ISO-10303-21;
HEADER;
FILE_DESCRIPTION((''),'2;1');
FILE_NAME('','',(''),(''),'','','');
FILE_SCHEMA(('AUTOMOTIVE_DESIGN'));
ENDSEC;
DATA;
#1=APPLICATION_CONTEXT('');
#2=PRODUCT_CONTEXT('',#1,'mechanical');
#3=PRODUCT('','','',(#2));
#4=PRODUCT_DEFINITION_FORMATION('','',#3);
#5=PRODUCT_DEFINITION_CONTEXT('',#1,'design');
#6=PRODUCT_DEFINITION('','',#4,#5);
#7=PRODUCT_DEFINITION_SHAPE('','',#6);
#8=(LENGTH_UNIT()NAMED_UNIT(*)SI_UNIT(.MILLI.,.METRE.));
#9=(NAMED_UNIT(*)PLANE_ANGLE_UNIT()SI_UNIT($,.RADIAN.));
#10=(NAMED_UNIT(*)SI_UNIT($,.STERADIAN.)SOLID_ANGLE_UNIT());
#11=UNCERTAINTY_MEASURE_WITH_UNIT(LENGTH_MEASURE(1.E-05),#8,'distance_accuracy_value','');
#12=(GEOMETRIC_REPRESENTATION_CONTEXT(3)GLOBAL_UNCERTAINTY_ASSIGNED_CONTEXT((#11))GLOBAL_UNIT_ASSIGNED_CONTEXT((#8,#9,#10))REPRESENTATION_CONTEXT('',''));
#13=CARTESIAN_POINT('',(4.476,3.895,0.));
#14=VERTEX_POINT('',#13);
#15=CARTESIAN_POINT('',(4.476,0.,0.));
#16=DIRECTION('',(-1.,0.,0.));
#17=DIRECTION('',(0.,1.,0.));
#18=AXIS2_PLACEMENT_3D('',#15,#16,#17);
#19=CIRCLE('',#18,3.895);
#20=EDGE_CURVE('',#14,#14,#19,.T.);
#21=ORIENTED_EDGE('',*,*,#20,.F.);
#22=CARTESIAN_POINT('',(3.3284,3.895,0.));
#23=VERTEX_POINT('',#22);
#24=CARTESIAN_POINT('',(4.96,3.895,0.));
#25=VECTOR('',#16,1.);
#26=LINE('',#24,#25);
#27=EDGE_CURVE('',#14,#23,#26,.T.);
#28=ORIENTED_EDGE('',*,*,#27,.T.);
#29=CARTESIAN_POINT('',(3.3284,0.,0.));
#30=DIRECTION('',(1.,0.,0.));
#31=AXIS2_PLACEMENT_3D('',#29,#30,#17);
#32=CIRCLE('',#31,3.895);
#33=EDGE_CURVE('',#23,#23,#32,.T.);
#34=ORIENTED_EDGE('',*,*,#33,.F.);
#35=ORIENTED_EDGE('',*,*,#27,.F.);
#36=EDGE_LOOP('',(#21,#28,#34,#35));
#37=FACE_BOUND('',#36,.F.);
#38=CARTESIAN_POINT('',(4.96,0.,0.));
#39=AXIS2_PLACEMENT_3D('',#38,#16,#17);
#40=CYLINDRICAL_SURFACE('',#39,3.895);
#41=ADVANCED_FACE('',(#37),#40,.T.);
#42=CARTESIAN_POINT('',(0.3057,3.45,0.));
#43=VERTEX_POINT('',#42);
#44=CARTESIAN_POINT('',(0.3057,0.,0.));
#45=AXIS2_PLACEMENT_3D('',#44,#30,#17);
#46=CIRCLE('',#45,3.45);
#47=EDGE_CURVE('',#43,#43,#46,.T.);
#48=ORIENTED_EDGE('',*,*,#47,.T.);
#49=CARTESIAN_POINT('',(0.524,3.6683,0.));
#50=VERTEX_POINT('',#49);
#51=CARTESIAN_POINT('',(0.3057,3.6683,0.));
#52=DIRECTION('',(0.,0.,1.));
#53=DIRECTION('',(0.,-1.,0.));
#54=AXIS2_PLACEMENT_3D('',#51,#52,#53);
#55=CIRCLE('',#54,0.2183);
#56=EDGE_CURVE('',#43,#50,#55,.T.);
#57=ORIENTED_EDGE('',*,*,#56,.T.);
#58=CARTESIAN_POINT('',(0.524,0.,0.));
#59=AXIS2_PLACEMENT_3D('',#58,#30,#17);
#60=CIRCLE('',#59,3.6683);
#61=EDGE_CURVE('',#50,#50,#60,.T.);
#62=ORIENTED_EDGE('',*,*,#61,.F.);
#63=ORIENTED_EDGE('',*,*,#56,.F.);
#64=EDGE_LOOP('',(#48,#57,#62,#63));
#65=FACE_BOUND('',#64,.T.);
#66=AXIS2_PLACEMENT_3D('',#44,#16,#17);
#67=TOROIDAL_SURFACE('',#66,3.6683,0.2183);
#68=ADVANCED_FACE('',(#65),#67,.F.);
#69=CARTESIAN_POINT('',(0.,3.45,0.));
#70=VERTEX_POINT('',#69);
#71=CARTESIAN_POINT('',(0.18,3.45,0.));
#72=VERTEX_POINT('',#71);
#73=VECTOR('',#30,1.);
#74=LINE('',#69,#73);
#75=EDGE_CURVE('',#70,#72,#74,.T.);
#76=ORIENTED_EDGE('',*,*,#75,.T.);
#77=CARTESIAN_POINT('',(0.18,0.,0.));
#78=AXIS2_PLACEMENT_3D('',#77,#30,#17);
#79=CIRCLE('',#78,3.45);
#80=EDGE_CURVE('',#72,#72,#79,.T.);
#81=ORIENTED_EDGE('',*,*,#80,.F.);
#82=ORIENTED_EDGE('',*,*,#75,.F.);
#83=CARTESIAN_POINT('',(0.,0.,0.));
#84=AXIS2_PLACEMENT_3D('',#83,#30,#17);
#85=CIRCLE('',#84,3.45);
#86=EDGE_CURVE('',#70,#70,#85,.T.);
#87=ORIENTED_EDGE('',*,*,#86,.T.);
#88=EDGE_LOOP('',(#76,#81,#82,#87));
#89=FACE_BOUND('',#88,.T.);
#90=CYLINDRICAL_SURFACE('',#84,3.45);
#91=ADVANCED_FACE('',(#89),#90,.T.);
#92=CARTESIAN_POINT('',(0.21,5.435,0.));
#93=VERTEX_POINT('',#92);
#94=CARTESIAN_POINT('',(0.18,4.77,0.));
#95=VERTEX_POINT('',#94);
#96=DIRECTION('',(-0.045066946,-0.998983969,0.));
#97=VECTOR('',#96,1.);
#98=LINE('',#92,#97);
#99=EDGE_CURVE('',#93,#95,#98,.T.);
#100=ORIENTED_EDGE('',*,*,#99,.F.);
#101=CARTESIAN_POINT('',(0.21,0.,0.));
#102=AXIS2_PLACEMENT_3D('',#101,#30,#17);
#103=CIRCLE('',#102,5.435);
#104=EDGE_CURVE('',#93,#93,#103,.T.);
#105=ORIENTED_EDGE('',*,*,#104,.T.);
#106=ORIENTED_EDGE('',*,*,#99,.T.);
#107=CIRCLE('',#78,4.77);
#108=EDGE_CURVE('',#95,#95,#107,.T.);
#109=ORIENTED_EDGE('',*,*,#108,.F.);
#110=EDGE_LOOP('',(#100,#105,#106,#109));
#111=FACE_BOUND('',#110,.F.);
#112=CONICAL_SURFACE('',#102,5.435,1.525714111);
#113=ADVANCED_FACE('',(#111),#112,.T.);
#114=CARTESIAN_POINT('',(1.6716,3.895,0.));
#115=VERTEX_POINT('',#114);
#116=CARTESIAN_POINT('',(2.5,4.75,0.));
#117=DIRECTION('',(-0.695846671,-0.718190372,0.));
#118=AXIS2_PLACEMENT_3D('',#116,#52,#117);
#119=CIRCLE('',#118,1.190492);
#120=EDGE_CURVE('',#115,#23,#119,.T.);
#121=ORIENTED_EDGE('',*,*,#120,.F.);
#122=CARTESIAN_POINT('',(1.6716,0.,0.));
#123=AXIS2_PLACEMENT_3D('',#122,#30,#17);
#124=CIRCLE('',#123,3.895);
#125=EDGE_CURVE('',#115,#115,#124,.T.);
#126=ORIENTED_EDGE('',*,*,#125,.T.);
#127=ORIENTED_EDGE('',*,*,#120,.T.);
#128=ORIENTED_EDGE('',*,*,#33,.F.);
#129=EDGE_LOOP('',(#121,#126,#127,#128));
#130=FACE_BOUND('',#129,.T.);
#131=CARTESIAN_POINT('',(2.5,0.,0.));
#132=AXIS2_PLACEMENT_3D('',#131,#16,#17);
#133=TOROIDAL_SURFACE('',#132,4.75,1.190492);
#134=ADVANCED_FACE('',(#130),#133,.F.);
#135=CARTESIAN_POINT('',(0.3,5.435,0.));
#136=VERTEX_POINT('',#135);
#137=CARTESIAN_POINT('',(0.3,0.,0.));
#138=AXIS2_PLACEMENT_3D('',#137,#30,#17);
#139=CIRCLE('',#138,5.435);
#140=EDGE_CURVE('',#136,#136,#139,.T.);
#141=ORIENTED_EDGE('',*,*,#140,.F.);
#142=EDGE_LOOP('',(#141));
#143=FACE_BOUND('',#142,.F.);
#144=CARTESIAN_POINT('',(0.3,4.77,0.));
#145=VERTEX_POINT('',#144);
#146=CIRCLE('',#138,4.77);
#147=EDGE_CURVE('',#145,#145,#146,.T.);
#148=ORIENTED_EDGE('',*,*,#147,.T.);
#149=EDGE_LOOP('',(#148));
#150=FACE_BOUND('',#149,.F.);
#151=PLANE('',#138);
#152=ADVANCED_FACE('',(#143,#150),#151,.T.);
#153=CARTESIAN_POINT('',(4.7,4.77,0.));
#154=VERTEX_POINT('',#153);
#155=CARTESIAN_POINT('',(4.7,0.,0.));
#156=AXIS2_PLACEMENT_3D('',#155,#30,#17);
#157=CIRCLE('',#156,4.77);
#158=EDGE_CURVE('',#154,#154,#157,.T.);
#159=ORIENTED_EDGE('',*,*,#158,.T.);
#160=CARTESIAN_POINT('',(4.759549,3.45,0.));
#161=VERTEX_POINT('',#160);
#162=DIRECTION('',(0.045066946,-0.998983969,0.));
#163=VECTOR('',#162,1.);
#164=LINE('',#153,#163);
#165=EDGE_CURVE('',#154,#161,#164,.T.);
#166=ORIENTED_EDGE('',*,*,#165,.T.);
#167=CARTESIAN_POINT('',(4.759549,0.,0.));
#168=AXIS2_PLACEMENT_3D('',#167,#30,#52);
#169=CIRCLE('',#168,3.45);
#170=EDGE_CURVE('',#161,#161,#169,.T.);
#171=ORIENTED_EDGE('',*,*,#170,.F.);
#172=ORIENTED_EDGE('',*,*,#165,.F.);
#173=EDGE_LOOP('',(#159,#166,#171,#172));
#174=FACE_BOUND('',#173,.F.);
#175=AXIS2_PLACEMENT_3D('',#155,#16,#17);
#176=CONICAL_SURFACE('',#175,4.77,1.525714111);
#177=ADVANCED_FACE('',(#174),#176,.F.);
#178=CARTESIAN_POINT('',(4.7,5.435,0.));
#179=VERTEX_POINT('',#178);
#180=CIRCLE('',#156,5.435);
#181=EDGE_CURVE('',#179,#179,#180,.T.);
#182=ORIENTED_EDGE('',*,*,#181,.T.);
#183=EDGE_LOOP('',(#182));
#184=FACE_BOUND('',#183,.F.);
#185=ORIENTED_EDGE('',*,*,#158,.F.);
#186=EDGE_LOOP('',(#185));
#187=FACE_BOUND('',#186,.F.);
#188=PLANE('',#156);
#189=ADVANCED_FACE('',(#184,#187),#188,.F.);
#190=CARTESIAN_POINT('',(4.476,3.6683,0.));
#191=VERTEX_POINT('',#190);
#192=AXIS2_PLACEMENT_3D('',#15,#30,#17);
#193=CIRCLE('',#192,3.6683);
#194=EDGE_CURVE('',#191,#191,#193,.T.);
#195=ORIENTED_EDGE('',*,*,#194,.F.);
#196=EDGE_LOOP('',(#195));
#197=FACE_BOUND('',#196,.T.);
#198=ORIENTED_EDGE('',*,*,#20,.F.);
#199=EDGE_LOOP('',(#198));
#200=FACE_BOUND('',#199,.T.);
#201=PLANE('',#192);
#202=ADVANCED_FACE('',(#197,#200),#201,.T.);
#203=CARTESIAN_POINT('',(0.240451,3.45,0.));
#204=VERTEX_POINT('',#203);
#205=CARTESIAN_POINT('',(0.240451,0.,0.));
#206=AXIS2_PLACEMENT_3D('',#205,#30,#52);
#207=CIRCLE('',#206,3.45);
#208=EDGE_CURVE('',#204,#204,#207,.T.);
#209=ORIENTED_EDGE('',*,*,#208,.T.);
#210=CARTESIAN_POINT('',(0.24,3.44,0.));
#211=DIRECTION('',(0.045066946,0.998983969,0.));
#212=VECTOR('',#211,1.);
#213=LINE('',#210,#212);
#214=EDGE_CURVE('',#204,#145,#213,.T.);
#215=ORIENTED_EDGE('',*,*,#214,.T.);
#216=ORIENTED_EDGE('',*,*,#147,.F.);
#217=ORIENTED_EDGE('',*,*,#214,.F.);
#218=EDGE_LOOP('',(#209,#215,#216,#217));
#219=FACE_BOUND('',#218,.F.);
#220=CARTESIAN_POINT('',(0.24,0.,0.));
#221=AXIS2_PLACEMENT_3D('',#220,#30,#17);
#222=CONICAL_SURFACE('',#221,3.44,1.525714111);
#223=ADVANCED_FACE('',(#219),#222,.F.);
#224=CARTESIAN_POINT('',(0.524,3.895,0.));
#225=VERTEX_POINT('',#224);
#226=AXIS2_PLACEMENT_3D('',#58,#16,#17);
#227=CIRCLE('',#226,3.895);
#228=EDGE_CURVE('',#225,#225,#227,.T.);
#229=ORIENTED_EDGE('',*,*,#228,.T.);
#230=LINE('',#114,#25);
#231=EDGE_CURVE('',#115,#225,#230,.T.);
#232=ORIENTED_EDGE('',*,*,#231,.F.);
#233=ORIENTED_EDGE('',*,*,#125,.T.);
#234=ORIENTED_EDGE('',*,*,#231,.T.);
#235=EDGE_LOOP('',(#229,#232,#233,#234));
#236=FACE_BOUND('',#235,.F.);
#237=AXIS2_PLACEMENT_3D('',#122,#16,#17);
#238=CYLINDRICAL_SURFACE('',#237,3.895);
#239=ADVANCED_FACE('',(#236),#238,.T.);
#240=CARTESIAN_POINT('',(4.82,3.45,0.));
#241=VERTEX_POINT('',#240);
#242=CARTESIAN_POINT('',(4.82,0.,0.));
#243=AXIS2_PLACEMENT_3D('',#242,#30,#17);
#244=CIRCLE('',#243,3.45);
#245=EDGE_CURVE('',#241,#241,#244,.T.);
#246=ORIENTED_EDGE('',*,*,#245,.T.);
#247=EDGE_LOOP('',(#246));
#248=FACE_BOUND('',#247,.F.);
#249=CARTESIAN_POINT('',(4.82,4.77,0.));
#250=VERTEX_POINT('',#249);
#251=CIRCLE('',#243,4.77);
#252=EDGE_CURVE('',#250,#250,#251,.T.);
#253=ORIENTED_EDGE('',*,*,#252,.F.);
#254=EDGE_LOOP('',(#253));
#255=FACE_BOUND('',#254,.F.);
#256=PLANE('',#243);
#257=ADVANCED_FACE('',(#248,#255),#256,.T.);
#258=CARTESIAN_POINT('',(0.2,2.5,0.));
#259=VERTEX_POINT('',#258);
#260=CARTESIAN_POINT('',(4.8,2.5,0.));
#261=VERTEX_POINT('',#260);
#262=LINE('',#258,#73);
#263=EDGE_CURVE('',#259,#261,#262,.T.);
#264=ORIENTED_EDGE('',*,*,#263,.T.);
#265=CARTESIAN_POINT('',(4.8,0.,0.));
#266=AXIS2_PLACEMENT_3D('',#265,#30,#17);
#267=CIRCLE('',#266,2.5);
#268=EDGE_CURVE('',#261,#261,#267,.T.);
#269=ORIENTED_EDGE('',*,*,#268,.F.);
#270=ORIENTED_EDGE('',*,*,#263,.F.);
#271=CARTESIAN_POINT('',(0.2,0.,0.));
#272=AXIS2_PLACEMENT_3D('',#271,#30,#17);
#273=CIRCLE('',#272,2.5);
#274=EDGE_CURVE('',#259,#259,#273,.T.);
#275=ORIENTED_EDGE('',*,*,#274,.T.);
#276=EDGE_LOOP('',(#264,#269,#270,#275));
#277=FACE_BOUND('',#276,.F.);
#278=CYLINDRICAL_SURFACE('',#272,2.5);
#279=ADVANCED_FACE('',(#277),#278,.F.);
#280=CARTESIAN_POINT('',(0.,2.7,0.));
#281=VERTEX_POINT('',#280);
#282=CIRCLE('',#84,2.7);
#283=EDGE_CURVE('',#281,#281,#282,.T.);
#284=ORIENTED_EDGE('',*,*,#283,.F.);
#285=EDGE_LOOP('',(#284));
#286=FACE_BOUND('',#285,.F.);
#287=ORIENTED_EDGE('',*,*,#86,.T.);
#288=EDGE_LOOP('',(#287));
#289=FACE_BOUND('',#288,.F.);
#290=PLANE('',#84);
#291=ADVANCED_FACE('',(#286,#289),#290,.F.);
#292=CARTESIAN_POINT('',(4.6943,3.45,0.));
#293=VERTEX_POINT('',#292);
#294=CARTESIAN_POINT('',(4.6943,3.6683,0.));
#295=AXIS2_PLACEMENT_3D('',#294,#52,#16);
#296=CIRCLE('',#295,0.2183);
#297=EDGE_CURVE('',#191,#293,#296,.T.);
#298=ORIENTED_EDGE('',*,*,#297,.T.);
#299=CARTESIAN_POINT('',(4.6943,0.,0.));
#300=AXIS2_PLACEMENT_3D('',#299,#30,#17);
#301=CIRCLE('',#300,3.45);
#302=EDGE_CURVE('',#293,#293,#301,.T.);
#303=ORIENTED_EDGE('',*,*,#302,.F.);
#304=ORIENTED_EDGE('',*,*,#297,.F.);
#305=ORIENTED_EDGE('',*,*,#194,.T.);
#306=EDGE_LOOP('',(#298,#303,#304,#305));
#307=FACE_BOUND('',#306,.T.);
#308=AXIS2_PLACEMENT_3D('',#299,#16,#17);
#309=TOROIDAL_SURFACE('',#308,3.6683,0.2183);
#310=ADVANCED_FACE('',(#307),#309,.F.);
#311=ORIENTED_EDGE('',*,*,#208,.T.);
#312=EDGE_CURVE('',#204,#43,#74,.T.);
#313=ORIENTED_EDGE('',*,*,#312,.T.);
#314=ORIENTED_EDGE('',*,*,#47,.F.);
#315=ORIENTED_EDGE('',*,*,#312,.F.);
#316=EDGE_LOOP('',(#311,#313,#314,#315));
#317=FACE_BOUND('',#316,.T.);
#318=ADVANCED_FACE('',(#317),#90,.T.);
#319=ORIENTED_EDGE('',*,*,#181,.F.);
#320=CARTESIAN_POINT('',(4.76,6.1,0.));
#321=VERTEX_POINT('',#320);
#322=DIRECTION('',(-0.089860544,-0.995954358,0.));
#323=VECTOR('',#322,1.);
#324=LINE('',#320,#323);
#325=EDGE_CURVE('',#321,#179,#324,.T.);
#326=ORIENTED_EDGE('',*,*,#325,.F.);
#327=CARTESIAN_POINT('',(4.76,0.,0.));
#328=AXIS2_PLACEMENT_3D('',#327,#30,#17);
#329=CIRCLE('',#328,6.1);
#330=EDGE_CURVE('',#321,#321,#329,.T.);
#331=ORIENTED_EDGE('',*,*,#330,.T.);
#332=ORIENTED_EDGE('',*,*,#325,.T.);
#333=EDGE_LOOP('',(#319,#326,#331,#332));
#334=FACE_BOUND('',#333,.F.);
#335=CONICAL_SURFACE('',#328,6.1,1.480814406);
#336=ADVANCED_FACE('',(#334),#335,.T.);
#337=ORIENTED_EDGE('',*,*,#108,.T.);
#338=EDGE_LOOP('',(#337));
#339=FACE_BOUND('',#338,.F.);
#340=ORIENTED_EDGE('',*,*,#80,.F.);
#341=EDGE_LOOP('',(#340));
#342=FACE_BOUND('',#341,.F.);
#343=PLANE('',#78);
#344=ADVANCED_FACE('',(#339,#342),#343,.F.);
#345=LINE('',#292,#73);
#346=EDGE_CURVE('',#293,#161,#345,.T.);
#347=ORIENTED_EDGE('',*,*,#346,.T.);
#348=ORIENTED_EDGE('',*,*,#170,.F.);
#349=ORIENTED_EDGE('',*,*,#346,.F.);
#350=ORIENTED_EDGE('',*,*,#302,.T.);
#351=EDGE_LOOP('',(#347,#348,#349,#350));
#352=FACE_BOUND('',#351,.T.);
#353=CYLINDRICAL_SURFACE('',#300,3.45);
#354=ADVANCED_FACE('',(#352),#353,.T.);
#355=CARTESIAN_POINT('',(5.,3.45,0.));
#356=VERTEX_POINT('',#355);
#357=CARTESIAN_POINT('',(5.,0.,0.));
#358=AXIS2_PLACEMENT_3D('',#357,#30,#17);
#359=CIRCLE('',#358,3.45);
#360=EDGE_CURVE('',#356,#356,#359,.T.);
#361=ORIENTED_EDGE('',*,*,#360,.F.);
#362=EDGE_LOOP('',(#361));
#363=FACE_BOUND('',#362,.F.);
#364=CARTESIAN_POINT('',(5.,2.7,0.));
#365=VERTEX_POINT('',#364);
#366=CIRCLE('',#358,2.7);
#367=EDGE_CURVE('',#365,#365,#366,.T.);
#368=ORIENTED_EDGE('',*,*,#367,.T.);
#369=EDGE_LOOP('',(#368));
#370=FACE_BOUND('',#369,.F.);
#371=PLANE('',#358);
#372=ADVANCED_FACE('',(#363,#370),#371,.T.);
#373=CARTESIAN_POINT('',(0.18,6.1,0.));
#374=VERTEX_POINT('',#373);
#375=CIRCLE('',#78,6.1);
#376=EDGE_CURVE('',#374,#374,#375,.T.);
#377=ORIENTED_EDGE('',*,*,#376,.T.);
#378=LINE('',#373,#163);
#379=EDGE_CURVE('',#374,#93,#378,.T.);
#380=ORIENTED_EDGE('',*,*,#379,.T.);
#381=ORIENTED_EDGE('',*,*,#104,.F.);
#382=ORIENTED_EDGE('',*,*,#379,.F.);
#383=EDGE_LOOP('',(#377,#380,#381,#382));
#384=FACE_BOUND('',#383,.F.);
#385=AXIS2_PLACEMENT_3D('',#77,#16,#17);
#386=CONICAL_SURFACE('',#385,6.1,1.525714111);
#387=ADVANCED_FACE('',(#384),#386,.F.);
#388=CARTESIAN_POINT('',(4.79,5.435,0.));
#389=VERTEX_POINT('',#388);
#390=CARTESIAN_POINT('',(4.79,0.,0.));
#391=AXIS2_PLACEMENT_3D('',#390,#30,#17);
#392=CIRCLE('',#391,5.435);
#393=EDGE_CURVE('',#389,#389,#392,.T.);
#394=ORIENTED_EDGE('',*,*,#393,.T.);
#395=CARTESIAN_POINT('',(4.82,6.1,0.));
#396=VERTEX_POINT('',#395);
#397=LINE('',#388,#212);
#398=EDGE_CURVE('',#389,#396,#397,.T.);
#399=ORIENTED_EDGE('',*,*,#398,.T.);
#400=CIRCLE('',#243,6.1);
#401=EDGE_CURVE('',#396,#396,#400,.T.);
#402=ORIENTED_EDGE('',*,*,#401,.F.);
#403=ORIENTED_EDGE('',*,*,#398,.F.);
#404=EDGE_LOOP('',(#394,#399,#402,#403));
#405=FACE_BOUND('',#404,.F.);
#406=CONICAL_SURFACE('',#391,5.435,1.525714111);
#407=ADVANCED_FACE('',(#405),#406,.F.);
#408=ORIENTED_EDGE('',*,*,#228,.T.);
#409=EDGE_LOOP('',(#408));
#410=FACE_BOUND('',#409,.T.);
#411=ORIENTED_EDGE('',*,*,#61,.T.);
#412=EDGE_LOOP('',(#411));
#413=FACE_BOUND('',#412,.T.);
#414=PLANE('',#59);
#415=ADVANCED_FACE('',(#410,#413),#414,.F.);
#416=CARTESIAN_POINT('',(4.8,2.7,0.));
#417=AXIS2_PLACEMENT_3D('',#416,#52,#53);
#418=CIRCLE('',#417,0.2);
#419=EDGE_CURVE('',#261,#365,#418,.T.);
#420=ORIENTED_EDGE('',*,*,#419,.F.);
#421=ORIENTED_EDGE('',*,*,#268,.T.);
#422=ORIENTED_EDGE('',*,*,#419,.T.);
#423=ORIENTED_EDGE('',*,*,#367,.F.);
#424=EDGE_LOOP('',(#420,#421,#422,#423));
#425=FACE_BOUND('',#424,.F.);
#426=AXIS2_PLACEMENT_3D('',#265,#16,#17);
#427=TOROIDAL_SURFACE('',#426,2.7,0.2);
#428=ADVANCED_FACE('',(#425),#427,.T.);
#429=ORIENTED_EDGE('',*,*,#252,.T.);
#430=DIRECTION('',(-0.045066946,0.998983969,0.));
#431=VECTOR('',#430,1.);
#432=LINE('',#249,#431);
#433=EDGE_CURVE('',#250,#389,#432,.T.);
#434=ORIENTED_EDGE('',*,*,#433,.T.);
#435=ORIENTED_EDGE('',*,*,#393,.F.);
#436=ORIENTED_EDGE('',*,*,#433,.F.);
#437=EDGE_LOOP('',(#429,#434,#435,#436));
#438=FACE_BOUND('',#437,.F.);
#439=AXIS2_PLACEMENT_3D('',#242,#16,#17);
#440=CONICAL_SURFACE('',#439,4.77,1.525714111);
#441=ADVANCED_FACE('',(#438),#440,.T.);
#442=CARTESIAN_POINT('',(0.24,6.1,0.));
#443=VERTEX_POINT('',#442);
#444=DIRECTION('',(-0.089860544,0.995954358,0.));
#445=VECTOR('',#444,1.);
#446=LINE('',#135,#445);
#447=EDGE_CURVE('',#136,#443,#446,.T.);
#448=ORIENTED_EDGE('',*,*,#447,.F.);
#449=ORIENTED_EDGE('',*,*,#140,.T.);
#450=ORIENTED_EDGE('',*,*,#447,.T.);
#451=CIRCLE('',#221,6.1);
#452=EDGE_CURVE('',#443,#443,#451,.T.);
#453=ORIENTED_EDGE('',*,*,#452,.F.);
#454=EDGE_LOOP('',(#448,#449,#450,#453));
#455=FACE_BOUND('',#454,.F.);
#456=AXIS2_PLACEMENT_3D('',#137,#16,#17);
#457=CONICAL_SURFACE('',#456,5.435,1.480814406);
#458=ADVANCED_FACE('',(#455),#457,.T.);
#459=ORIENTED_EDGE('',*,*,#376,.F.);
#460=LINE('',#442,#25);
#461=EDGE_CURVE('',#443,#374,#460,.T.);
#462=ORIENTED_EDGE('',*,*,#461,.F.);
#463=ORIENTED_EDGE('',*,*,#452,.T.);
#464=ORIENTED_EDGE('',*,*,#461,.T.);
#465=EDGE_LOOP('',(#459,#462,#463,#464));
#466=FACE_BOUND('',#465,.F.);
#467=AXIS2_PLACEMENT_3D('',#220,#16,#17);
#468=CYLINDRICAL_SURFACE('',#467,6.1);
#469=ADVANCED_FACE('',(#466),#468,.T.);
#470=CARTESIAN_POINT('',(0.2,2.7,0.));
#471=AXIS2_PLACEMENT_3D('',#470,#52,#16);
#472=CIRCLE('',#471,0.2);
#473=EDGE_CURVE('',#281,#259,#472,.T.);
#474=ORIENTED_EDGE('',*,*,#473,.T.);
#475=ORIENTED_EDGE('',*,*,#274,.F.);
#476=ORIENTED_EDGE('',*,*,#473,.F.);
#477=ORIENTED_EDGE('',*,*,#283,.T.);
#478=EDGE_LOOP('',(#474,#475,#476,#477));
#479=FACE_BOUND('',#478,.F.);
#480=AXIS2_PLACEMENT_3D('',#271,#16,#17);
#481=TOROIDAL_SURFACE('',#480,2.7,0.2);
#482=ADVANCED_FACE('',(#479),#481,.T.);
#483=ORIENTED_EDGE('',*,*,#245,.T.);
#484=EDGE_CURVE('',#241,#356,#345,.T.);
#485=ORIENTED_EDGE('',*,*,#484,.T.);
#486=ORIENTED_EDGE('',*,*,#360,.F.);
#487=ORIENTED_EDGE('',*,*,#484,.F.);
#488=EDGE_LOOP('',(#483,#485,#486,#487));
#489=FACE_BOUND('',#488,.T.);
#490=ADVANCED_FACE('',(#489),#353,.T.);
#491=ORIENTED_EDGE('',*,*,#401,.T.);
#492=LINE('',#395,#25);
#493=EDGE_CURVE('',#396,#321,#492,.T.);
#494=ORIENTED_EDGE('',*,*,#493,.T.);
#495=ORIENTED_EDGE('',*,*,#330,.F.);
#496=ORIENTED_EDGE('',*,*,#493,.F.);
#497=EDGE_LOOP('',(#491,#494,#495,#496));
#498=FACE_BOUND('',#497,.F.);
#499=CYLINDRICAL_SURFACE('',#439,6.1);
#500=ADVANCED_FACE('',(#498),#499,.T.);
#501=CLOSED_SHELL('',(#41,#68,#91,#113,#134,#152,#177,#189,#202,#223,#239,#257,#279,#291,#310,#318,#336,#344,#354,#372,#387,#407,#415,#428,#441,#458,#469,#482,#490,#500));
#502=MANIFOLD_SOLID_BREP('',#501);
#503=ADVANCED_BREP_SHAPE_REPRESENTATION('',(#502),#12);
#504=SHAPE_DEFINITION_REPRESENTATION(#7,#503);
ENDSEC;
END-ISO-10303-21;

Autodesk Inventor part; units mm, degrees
ref_plane "YZ Plane" through (0, 0, 0) normal (1, 0, 0) x (0, 1, 0)
ref_plane "XZ Plane" through (0, 0, 0) normal (0, 1, 0) x (-1, 0, 0)
ref_plane "XY Plane" through (0, 0, 0) normal (0, 0, 1) x (1, 0, 0)
sketch "Sketch_17" plane through (0, 0, 0) normal (0, 0, 1) x (1, 0, 0)
  line L0 (50, 0) -> (-50, 0)
  line L1 (0, 3.855) -> (0, 2.7)
  arc A0 (0, 2.7) -> (0.2, 2.5) centre (0.2, 2.7) ccw
  line L2 (0.2, 2.5) -> (4.8, 2.5)
  arc A1 (4.8, 2.5) -> (5, 2.7) centre (4.8, 2.7) ccw
  line L3 (5, 2.7) -> (5, 3.855)
  arc A2 (5, 3.855) -> (4.96, 3.895) centre (4.96, 3.855) ccw
  line L4 (4.96, 3.895) -> (3.3284, 3.895)
  arc A3 (1.6716, 3.895) -> (3.3284, 3.895) centre (2.5, 4.75) ccw
  line L5 (1.6716, 3.895) -> (0.04, 3.895)
  arc A4 (0.04, 3.895) -> (0, 3.855) centre (0.04, 3.855) ccw
revolve "Revolution1" add sketch "Sketch_17" angle 360 about axis through (50, 0, 0) along (1, 0, 0)
sketch "Sketch_19" plane through (0, 0, 0) normal (0, 0, 1) x (1, 0, 0)
  line L0 (50, 0) -> (-50, 0)
  line L1 (0, 4.6375) -> (0, 3.45)
  line L2 (0, 3.45) -> (0.3057, 3.45)
  arc A0 (0.3057, 3.45) -> (0.524, 3.6683) centre (0.3057, 3.6683) ccw
  line L3 (0.524, 3.6683) -> (0.524, 4.2882)
  line L4 (0.524, 4.2882) -> (4.476, 4.2882)
  line L5 (4.476, 4.2882) -> (4.476, 3.6683)
  arc A1 (4.476, 3.6683) -> (4.6943, 3.45) centre (4.6943, 3.6683) ccw
  line L6 (4.6943, 3.45) -> (5, 3.45)
  line L7 (5, 3.45) -> (5, 4.6375)
  line L8 (5, 4.6375) -> (0, 4.6375)
revolve "Revolution2" cut sketch "Sketch_19" angle 360 about axis through (50, 0, 0) along (1, 0, 0)
sketch "Sketch_20" plane through (0, 0, 0) normal (0, 0, 1) x (1, 0, 0)
  line L0 (50, 0) -> (-50, 0)
  line L1 (0.18, 6.1) -> (0.21, 5.435)
  line L2 (0.21, 5.435) -> (0.18, 4.77)
  line L3 (0.18, 4.77) -> (0.18, 3.44)
  line L4 (0.18, 3.44) -> (0.24, 3.44)
  line L5 (0.24, 3.44) -> (0.3, 4.77)
  line L6 (0.3, 4.77) -> (0.3, 5.435)
  line L7 (0.3, 5.435) -> (0.24, 6.1)
  line L8 (0.24, 6.1) -> (0.18, 6.1)
revolve "Revolution3" add sketch "Sketch_20" angle 360 about axis through (50, 0, 0) along (1, 0, 0)
sketch "Sketch_21" plane through (0, 0, 0) normal (0, 0, 1) x (1, 0, 0)
  line L0 (50, 0) -> (-50, 0)
  line L1 (4.7, 5.435) -> (4.7, 4.77)
  line L2 (4.7, 4.77) -> (4.76, 3.44)
  line L3 (4.76, 3.44) -> (4.82, 3.44)
  line L4 (4.82, 3.44) -> (4.82, 4.77)
  line L5 (4.82, 4.77) -> (4.79, 5.435)
  line L6 (4.79, 5.435) -> (4.82, 6.1)
  line L7 (4.82, 6.1) -> (4.76, 6.1)
  line L8 (4.76, 6.1) -> (4.7, 5.435)
revolve "Revolution4" add sketch "Sketch_21" angle 360 about axis through (50, 0, 0) along (1, 0, 0)
properties part number "W 605-2Z_PART1"
